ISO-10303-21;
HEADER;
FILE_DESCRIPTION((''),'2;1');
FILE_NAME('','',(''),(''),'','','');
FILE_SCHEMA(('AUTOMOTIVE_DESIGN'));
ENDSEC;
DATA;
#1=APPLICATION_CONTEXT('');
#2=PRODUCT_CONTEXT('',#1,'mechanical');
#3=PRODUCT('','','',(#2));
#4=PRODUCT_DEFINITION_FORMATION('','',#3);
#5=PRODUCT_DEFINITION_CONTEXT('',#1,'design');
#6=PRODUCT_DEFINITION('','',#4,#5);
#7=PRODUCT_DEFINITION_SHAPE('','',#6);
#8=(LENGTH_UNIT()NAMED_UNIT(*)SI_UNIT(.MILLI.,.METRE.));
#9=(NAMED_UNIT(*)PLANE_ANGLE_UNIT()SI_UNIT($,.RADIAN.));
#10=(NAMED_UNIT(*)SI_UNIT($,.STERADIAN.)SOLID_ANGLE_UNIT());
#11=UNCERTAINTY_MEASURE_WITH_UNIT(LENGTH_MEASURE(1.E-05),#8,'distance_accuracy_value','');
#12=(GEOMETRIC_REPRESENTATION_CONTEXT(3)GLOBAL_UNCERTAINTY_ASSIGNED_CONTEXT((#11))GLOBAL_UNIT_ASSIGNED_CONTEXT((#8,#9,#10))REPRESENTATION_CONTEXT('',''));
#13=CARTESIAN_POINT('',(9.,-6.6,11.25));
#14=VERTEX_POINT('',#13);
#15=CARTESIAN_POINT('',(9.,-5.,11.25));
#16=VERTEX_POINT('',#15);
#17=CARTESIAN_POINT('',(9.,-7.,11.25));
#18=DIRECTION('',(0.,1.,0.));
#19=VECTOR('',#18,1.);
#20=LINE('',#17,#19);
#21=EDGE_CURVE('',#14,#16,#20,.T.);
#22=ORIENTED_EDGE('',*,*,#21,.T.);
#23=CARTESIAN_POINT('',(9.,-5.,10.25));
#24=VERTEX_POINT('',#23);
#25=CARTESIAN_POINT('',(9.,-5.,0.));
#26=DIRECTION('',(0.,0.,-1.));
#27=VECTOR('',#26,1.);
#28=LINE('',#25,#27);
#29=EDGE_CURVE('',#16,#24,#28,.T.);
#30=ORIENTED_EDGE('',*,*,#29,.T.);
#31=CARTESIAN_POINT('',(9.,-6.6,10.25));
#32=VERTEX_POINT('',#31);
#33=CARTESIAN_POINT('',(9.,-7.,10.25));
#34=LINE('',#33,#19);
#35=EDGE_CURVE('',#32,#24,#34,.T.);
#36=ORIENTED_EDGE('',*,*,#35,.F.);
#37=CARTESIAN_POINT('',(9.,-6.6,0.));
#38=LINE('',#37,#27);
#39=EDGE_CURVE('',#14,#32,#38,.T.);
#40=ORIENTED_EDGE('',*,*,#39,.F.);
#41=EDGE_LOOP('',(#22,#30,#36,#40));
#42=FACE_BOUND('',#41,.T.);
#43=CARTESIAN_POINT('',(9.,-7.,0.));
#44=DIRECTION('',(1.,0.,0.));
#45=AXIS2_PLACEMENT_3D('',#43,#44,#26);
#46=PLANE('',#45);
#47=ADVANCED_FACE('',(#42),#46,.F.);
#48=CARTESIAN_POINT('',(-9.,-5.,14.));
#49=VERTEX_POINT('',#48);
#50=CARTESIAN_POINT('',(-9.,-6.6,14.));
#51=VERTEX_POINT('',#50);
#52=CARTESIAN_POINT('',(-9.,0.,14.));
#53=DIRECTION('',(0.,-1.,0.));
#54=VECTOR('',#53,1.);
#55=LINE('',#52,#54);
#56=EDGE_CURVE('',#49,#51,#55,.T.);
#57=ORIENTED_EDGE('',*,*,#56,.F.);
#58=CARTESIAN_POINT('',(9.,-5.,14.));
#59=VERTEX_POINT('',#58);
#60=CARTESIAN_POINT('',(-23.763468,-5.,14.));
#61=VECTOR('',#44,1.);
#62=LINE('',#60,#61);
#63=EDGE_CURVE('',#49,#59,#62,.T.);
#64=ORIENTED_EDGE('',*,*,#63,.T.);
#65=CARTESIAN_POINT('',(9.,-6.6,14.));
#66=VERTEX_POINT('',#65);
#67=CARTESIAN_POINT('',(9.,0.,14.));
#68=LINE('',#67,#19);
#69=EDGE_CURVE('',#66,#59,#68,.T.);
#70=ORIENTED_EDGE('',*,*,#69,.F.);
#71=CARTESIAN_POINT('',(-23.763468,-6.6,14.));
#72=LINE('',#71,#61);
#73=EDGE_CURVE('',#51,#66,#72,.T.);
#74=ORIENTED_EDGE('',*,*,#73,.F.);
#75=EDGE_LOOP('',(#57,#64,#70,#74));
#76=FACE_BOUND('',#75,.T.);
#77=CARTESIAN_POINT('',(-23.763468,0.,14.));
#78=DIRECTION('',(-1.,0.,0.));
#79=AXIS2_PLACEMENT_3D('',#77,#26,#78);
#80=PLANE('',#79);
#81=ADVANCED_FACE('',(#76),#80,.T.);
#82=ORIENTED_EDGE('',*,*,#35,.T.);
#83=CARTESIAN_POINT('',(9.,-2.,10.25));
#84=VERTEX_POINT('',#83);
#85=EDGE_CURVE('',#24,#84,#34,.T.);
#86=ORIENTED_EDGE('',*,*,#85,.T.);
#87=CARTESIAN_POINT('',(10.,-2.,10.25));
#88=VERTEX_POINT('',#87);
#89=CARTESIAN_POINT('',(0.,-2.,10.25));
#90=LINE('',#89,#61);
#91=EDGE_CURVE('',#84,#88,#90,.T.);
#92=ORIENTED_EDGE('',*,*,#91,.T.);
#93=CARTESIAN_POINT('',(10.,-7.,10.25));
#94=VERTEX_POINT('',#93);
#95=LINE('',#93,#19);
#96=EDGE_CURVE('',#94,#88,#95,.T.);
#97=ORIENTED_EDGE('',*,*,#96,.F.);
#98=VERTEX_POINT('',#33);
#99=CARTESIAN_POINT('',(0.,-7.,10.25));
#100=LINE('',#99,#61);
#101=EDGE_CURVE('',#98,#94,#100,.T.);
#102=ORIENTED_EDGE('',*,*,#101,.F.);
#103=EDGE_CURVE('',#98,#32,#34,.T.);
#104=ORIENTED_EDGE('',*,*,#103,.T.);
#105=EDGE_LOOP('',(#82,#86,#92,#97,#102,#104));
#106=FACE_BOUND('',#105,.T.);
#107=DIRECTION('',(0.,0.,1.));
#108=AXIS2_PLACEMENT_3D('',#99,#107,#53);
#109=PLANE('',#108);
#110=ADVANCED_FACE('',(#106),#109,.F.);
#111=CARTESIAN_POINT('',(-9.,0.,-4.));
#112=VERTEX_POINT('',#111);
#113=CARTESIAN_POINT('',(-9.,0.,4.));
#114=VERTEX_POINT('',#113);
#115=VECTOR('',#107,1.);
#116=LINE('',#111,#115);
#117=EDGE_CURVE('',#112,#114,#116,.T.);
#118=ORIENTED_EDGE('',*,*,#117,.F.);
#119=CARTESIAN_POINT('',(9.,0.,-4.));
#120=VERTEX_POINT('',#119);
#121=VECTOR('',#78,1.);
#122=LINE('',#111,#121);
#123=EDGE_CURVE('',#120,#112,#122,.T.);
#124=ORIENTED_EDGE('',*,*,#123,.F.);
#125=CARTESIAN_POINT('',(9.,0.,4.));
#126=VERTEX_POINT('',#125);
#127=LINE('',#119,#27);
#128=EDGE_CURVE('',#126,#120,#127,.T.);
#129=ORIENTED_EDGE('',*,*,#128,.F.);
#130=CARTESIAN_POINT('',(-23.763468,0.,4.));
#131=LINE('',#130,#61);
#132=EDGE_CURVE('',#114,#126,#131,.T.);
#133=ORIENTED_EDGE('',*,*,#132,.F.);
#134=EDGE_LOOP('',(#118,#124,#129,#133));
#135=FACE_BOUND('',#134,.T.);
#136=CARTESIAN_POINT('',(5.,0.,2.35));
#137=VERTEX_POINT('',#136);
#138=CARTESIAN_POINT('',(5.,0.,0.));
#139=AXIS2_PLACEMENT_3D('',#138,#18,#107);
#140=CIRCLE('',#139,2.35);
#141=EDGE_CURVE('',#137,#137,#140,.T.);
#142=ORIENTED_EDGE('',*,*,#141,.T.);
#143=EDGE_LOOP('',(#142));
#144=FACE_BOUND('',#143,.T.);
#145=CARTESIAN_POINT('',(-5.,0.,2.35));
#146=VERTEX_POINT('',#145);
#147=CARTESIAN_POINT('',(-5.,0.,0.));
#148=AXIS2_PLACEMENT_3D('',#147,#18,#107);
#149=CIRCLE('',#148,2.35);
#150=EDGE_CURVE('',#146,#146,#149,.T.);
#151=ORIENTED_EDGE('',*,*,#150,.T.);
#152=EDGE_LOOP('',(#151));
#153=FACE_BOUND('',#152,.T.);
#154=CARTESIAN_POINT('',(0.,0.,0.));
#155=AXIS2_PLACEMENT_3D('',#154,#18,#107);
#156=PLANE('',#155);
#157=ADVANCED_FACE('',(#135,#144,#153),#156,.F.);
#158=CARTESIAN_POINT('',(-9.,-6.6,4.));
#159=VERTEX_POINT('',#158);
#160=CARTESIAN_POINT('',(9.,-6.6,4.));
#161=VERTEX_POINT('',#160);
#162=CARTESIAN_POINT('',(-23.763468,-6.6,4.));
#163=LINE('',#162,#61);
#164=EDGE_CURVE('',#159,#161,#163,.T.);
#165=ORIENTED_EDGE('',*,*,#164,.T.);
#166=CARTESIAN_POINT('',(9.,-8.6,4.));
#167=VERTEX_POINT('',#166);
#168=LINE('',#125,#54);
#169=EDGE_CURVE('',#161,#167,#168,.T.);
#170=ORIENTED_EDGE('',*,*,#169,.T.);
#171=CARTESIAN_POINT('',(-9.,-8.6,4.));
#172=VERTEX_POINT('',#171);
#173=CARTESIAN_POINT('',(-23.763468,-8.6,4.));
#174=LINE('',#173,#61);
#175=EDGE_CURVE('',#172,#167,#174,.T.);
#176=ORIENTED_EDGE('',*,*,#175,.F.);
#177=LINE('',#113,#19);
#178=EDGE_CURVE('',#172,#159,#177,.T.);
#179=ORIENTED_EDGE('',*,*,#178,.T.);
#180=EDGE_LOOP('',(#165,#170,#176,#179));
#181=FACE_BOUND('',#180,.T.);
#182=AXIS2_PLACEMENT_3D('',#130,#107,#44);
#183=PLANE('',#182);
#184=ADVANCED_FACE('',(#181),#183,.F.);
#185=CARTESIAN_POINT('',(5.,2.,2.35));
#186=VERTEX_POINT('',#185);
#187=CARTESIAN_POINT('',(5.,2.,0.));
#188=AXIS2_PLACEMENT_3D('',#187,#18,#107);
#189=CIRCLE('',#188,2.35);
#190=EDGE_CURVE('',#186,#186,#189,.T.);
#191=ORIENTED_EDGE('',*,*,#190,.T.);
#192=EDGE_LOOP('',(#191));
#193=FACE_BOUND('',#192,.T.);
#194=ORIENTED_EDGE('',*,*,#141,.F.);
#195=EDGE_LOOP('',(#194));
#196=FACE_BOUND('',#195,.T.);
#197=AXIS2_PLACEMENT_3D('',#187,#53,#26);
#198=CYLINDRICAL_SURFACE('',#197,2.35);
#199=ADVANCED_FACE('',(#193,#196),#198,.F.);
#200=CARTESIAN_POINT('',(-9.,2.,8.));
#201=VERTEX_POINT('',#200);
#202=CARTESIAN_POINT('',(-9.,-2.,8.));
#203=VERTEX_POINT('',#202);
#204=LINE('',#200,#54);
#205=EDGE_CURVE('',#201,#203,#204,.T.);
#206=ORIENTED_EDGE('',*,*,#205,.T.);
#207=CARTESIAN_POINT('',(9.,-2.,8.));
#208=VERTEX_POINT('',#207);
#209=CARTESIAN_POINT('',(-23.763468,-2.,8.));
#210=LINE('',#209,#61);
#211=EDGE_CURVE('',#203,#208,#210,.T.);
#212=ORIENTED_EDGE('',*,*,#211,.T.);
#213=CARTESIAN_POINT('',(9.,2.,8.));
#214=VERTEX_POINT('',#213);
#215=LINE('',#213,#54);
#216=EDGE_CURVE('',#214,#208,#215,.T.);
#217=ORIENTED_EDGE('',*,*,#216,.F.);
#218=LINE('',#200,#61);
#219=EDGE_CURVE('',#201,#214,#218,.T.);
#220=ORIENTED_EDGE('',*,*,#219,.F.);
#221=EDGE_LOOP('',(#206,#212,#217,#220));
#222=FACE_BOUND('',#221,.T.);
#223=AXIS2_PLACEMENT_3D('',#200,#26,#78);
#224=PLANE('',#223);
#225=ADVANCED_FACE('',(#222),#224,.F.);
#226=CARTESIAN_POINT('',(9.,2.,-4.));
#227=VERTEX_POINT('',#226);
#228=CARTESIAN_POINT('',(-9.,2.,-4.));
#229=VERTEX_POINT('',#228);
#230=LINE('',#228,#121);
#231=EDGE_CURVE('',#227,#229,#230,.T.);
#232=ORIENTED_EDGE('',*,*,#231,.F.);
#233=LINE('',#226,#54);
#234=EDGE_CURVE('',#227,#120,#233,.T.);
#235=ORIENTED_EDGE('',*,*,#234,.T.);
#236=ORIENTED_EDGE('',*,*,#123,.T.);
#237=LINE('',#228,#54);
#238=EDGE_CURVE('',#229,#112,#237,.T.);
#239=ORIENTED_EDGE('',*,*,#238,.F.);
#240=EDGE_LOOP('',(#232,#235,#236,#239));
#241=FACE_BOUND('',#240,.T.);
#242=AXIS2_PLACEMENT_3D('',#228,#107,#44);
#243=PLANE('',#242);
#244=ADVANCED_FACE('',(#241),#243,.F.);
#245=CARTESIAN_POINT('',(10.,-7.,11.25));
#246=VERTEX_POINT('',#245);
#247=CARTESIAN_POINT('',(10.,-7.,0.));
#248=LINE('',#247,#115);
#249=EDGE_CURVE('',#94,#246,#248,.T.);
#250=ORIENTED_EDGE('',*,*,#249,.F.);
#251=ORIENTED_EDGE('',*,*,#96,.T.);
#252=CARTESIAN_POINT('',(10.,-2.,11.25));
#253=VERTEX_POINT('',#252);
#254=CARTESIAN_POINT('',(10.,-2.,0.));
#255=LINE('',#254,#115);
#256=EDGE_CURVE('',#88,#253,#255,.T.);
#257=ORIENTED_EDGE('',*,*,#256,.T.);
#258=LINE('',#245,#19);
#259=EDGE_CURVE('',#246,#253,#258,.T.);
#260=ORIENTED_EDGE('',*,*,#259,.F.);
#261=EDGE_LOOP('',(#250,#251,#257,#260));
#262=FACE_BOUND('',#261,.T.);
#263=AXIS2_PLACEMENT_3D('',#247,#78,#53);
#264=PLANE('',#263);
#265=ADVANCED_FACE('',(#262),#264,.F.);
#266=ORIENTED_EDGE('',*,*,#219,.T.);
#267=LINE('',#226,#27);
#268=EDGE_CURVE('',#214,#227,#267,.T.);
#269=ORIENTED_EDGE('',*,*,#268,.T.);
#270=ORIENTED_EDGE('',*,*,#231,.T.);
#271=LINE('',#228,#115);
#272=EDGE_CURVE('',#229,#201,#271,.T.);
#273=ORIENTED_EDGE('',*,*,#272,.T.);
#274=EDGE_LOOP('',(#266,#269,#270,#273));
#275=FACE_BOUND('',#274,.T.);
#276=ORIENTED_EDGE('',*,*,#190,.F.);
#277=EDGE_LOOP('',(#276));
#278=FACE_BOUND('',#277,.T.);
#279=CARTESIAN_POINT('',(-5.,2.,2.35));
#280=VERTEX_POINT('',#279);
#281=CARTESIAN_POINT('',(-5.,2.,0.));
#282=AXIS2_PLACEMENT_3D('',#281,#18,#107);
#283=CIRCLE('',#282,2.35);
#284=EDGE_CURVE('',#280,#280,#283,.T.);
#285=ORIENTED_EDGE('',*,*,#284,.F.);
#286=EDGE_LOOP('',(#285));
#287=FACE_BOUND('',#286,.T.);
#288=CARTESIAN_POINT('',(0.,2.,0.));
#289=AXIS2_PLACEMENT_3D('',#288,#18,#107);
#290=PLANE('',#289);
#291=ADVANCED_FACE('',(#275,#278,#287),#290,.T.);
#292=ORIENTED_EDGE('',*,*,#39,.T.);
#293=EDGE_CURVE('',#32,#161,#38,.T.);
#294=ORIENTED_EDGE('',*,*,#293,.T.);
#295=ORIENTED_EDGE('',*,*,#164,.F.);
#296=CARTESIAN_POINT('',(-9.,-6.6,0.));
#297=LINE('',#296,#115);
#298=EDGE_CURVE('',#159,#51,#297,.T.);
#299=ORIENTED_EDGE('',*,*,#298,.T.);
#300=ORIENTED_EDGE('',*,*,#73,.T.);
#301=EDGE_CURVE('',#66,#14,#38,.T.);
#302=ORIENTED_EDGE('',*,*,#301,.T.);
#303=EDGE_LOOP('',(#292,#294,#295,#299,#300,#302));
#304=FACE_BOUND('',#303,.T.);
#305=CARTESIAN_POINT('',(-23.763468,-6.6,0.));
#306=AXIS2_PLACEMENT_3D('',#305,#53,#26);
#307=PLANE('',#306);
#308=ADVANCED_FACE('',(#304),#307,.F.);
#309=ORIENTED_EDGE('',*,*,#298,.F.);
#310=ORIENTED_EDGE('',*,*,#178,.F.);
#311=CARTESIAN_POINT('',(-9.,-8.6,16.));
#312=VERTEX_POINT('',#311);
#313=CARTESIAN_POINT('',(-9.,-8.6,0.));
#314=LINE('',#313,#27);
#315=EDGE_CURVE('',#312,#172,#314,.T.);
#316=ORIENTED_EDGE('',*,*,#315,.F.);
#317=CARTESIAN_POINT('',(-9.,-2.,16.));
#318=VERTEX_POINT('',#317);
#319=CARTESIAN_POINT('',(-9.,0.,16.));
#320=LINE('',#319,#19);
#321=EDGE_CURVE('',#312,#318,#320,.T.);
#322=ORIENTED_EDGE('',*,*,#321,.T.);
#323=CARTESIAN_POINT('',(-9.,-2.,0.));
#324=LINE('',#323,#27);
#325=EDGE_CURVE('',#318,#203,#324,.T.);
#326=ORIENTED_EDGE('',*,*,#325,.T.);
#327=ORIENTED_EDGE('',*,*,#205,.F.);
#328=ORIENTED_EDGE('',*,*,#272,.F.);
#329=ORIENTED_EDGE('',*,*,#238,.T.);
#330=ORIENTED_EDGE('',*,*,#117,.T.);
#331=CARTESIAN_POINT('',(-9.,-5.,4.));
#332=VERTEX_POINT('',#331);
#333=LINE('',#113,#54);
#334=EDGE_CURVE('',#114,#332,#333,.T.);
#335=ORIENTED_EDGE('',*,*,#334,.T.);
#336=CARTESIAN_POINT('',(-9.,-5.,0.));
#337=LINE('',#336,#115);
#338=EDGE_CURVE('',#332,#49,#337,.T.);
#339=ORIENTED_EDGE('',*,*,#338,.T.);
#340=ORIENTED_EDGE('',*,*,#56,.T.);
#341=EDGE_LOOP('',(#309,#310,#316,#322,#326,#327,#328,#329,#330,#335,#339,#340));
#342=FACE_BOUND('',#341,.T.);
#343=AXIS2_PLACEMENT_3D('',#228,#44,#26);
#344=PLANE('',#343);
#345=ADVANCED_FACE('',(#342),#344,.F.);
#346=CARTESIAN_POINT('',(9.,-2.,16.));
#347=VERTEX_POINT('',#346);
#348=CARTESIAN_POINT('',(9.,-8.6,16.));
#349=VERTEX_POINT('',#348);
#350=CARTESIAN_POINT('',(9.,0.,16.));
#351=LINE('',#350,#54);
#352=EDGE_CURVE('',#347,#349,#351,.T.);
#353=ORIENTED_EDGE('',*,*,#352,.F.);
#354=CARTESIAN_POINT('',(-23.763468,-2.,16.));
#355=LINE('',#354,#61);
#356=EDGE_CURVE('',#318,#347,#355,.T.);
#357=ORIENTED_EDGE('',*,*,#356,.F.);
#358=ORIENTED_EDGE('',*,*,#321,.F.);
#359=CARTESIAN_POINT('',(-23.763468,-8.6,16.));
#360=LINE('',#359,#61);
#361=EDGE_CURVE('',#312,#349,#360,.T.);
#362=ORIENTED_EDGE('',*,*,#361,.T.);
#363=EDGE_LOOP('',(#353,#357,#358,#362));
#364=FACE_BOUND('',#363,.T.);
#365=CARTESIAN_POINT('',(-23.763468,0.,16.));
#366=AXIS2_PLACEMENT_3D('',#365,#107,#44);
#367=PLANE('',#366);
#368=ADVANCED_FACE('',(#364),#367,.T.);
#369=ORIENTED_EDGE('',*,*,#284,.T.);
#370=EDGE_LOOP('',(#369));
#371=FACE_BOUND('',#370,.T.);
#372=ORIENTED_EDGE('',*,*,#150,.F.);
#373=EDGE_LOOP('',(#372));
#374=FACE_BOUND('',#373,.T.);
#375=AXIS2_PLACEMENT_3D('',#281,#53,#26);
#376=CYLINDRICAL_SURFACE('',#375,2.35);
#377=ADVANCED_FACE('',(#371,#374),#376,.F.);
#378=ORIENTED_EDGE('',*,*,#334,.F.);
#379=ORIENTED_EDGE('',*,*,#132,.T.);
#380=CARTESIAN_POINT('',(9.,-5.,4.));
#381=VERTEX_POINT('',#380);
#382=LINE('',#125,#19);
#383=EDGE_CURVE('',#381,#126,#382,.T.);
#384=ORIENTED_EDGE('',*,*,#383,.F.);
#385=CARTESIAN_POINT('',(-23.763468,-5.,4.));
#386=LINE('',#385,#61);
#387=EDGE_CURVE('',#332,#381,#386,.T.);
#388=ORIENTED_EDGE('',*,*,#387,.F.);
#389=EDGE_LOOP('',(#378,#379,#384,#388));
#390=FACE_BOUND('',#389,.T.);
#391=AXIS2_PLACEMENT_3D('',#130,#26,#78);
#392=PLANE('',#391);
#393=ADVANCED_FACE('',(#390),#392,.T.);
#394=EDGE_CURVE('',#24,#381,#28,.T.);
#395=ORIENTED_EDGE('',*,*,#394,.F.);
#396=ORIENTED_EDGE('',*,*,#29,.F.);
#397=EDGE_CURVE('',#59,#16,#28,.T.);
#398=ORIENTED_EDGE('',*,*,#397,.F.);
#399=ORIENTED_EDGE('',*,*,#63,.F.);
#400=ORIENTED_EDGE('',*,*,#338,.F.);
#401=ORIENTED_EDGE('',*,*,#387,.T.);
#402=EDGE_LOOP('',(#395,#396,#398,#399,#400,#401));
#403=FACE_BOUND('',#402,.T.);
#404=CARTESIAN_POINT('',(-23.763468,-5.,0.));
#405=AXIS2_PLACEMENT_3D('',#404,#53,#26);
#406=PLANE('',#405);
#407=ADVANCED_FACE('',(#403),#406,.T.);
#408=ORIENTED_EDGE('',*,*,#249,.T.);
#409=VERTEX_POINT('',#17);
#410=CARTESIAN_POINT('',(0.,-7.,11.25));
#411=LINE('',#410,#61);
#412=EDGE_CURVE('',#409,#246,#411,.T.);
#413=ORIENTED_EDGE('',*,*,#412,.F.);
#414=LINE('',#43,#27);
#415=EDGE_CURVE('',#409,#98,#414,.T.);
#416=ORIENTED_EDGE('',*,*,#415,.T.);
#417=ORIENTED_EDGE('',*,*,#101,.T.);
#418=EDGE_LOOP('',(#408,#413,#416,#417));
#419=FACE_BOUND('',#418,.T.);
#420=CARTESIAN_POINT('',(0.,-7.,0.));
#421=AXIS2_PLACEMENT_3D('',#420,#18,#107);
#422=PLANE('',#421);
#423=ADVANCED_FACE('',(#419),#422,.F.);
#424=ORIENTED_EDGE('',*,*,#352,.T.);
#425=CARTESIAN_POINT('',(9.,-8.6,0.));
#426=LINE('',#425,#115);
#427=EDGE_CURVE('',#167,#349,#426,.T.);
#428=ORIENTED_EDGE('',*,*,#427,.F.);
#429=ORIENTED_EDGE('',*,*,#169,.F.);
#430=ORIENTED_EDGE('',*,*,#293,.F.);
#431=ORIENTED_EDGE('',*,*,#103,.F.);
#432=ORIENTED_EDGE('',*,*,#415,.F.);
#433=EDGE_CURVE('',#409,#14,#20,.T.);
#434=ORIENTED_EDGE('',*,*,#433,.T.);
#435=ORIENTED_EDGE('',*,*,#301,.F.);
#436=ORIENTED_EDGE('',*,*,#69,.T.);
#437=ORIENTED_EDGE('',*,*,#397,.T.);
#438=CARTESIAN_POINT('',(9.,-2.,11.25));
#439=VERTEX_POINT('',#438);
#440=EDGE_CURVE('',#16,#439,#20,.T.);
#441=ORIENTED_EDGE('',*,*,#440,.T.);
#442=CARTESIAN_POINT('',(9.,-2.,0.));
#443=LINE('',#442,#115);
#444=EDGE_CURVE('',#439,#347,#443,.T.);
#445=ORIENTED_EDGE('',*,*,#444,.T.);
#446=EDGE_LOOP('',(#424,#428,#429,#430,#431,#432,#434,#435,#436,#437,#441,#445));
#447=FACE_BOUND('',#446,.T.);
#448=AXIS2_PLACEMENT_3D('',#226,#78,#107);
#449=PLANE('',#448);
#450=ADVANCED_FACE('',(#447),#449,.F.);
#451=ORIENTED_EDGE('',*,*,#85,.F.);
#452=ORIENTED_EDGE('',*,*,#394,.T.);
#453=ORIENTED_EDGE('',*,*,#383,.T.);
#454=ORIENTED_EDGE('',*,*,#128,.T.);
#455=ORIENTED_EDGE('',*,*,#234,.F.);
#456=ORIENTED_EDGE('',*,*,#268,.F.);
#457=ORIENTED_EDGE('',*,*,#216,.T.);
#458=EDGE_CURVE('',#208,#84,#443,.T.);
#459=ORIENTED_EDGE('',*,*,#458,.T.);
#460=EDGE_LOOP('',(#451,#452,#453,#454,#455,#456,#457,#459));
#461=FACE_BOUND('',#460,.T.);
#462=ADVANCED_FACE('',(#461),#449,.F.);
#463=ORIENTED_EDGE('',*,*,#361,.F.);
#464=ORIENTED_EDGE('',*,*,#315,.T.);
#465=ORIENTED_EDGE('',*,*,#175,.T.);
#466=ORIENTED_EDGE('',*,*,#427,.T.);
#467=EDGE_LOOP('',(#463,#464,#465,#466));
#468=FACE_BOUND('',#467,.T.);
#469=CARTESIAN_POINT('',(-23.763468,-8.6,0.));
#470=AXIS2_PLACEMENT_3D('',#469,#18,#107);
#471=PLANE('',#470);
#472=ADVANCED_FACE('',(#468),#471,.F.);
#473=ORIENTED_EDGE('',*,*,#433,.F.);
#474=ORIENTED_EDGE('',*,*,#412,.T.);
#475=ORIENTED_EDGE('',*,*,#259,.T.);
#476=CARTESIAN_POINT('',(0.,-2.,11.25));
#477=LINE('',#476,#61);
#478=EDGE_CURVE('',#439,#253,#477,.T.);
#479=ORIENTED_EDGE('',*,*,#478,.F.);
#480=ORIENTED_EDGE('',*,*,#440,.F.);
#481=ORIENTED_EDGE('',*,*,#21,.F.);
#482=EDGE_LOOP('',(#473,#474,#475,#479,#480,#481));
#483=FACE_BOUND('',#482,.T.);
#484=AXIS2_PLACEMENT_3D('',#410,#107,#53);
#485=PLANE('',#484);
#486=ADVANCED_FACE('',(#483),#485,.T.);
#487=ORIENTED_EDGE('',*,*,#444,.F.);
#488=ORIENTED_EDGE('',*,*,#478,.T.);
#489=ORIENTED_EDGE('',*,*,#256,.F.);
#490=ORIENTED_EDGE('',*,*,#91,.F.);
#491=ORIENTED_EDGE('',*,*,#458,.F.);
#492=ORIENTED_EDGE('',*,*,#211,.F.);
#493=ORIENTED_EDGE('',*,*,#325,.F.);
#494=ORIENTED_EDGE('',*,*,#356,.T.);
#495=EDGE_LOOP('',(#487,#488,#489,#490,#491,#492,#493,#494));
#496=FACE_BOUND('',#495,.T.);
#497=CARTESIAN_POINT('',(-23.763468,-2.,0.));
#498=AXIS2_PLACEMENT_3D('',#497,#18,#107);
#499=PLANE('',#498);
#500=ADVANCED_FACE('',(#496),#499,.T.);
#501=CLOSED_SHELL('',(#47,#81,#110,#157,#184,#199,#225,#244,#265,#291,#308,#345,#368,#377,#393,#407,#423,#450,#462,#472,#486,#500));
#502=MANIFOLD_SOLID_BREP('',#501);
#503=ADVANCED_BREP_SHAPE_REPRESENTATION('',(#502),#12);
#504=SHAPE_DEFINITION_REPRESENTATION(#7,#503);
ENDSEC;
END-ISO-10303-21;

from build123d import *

# Parameters (mm, degrees)
SKETCH1_W           = 18
SKETCH1_H           = 12
SKETCH1_R           = 2.35
BOSS_EXTRUDE1_DEPTH = 2
BOSS_EXTRUDE2_DEPTH = 18
SKETCH3_W           = 1
SKETCH3_H           = 1
BOSS_EXTRUDE3_DEPTH = 5


with BuildPart() as part:
    # Sketch1 → Boss-Extrude1 (new body)
    with BuildSketch(Plane(origin=(0, 0, 0), x_dir=(1, 0, 0), z_dir=(0, 1, 0))):
        with Locations((0, -2)):
            Rectangle(SKETCH1_W, SKETCH1_H)
        with Locations(Location((-5, 0, 0), (0, 0, 270))):
            Circle(SKETCH1_R, mode=Mode.SUBTRACT)
        with Locations(Location((5, 0, 0), (0, 0, 270))):
            Circle(SKETCH1_R, mode=Mode.SUBTRACT)
    extrude(amount=BOSS_EXTRUDE1_DEPTH)

    # Sketch2 → Boss-Extrude2 (add)
    with BuildSketch(Plane(origin=(9, 0, 0), x_dir=(0, 0, -1), z_dir=(1, 0, 0))):
        Polygon((-4, 0), (-8, 0), (-8, -2), (-16, -2), (-16, -8.6), (-4, -8.6), (-4, -6.6), (-14, -6.6), (-14, -5), (-4, -5), align=None)
    extrude(amount=-BOSS_EXTRUDE2_DEPTH)

    # Sketch3 → Boss-Extrude3 (add)
    with BuildSketch(Plane(origin=(0, -2, 0), x_dir=(1, 0, 0), z_dir=(0, 1, 0))):
        with Locations((9.5, -10.75)):
            Rectangle(SKETCH3_W, SKETCH3_H)
    extrude(amount=-BOSS_EXTRUDE3_DEPTH)


solid = part.part
